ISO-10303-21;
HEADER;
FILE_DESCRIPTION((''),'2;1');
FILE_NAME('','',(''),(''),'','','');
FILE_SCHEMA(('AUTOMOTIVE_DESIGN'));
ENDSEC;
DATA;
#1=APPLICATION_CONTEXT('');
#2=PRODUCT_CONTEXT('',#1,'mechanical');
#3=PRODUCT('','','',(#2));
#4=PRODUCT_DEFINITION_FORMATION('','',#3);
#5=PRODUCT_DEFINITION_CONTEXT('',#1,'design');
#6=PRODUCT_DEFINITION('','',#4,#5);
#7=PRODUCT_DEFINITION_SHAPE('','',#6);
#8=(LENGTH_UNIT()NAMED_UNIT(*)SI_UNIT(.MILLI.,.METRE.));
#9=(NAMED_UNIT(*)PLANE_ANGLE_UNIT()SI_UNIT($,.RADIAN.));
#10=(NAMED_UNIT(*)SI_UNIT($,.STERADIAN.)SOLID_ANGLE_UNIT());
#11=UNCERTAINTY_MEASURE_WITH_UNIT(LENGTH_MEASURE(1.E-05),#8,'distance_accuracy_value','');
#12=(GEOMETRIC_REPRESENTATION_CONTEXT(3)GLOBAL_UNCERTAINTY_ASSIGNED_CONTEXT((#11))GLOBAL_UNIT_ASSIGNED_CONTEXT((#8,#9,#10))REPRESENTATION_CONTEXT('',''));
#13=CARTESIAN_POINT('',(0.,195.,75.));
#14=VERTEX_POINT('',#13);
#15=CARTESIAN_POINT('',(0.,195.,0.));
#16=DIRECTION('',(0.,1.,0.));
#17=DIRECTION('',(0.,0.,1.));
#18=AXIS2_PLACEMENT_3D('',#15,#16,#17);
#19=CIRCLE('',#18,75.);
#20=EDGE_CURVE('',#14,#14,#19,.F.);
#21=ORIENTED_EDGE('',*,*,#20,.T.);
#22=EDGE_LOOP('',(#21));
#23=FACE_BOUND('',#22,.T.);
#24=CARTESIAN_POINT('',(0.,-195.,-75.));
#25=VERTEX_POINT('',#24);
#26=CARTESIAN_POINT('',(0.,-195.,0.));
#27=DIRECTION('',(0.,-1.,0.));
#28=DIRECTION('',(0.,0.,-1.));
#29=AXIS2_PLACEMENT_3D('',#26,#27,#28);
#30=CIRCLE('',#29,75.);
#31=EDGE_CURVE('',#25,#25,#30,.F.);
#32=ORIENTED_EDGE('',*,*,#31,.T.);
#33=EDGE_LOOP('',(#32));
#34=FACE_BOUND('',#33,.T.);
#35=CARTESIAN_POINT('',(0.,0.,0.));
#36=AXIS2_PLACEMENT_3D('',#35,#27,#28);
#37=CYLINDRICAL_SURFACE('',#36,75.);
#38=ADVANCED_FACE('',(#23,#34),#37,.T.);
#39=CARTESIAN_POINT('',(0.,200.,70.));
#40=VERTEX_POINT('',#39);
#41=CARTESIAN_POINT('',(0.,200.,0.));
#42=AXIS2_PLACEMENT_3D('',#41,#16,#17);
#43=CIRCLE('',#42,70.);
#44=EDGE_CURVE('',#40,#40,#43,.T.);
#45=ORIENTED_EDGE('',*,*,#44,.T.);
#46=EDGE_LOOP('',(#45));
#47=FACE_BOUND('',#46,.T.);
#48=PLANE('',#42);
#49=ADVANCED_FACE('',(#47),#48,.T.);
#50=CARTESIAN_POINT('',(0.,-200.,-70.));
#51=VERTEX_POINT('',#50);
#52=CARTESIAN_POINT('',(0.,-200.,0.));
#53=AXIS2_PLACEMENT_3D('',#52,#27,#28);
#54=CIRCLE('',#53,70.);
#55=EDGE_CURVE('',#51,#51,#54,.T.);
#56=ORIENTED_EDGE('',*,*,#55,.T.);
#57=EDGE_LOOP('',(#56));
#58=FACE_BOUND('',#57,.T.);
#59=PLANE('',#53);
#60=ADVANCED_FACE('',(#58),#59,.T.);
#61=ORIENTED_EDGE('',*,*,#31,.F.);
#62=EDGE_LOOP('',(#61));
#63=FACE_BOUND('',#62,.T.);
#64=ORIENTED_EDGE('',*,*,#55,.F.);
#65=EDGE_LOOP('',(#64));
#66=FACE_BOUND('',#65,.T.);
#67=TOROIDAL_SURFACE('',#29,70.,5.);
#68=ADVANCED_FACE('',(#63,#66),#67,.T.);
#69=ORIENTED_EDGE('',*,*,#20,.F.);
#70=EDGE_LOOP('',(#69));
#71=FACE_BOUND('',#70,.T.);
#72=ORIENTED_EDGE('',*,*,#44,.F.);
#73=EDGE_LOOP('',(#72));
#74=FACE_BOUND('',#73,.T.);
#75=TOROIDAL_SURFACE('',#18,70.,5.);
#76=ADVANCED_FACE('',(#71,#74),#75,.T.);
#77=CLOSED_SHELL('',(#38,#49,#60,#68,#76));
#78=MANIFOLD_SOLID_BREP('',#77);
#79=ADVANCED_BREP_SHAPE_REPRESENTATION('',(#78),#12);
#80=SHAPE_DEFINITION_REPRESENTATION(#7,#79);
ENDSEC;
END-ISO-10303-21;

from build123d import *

# Parameters (mm, degrees)
SKETCH1_W = 75
SKETCH1_H = 400
FILLET1_R = 5


with BuildPart() as part:
    # Sketch1 → Revolve1 (revolve)
    with BuildSketch(Plane.XY):
        with Locations((37.5, 0)):
            Rectangle(SKETCH1_W, SKETCH1_H)
    revolve(axis=Axis((0, 0, 0), (0, 1, 0)))

    # Fillet1
    fillet1_edges = [part.edges().sort_by_distance(p)[0] for p in [
        (-75, -200, 0),
        (-75, 200, 0),
    ]]
    fillet(fillet1_edges, radius=FILLET1_R)


solid = part.part
